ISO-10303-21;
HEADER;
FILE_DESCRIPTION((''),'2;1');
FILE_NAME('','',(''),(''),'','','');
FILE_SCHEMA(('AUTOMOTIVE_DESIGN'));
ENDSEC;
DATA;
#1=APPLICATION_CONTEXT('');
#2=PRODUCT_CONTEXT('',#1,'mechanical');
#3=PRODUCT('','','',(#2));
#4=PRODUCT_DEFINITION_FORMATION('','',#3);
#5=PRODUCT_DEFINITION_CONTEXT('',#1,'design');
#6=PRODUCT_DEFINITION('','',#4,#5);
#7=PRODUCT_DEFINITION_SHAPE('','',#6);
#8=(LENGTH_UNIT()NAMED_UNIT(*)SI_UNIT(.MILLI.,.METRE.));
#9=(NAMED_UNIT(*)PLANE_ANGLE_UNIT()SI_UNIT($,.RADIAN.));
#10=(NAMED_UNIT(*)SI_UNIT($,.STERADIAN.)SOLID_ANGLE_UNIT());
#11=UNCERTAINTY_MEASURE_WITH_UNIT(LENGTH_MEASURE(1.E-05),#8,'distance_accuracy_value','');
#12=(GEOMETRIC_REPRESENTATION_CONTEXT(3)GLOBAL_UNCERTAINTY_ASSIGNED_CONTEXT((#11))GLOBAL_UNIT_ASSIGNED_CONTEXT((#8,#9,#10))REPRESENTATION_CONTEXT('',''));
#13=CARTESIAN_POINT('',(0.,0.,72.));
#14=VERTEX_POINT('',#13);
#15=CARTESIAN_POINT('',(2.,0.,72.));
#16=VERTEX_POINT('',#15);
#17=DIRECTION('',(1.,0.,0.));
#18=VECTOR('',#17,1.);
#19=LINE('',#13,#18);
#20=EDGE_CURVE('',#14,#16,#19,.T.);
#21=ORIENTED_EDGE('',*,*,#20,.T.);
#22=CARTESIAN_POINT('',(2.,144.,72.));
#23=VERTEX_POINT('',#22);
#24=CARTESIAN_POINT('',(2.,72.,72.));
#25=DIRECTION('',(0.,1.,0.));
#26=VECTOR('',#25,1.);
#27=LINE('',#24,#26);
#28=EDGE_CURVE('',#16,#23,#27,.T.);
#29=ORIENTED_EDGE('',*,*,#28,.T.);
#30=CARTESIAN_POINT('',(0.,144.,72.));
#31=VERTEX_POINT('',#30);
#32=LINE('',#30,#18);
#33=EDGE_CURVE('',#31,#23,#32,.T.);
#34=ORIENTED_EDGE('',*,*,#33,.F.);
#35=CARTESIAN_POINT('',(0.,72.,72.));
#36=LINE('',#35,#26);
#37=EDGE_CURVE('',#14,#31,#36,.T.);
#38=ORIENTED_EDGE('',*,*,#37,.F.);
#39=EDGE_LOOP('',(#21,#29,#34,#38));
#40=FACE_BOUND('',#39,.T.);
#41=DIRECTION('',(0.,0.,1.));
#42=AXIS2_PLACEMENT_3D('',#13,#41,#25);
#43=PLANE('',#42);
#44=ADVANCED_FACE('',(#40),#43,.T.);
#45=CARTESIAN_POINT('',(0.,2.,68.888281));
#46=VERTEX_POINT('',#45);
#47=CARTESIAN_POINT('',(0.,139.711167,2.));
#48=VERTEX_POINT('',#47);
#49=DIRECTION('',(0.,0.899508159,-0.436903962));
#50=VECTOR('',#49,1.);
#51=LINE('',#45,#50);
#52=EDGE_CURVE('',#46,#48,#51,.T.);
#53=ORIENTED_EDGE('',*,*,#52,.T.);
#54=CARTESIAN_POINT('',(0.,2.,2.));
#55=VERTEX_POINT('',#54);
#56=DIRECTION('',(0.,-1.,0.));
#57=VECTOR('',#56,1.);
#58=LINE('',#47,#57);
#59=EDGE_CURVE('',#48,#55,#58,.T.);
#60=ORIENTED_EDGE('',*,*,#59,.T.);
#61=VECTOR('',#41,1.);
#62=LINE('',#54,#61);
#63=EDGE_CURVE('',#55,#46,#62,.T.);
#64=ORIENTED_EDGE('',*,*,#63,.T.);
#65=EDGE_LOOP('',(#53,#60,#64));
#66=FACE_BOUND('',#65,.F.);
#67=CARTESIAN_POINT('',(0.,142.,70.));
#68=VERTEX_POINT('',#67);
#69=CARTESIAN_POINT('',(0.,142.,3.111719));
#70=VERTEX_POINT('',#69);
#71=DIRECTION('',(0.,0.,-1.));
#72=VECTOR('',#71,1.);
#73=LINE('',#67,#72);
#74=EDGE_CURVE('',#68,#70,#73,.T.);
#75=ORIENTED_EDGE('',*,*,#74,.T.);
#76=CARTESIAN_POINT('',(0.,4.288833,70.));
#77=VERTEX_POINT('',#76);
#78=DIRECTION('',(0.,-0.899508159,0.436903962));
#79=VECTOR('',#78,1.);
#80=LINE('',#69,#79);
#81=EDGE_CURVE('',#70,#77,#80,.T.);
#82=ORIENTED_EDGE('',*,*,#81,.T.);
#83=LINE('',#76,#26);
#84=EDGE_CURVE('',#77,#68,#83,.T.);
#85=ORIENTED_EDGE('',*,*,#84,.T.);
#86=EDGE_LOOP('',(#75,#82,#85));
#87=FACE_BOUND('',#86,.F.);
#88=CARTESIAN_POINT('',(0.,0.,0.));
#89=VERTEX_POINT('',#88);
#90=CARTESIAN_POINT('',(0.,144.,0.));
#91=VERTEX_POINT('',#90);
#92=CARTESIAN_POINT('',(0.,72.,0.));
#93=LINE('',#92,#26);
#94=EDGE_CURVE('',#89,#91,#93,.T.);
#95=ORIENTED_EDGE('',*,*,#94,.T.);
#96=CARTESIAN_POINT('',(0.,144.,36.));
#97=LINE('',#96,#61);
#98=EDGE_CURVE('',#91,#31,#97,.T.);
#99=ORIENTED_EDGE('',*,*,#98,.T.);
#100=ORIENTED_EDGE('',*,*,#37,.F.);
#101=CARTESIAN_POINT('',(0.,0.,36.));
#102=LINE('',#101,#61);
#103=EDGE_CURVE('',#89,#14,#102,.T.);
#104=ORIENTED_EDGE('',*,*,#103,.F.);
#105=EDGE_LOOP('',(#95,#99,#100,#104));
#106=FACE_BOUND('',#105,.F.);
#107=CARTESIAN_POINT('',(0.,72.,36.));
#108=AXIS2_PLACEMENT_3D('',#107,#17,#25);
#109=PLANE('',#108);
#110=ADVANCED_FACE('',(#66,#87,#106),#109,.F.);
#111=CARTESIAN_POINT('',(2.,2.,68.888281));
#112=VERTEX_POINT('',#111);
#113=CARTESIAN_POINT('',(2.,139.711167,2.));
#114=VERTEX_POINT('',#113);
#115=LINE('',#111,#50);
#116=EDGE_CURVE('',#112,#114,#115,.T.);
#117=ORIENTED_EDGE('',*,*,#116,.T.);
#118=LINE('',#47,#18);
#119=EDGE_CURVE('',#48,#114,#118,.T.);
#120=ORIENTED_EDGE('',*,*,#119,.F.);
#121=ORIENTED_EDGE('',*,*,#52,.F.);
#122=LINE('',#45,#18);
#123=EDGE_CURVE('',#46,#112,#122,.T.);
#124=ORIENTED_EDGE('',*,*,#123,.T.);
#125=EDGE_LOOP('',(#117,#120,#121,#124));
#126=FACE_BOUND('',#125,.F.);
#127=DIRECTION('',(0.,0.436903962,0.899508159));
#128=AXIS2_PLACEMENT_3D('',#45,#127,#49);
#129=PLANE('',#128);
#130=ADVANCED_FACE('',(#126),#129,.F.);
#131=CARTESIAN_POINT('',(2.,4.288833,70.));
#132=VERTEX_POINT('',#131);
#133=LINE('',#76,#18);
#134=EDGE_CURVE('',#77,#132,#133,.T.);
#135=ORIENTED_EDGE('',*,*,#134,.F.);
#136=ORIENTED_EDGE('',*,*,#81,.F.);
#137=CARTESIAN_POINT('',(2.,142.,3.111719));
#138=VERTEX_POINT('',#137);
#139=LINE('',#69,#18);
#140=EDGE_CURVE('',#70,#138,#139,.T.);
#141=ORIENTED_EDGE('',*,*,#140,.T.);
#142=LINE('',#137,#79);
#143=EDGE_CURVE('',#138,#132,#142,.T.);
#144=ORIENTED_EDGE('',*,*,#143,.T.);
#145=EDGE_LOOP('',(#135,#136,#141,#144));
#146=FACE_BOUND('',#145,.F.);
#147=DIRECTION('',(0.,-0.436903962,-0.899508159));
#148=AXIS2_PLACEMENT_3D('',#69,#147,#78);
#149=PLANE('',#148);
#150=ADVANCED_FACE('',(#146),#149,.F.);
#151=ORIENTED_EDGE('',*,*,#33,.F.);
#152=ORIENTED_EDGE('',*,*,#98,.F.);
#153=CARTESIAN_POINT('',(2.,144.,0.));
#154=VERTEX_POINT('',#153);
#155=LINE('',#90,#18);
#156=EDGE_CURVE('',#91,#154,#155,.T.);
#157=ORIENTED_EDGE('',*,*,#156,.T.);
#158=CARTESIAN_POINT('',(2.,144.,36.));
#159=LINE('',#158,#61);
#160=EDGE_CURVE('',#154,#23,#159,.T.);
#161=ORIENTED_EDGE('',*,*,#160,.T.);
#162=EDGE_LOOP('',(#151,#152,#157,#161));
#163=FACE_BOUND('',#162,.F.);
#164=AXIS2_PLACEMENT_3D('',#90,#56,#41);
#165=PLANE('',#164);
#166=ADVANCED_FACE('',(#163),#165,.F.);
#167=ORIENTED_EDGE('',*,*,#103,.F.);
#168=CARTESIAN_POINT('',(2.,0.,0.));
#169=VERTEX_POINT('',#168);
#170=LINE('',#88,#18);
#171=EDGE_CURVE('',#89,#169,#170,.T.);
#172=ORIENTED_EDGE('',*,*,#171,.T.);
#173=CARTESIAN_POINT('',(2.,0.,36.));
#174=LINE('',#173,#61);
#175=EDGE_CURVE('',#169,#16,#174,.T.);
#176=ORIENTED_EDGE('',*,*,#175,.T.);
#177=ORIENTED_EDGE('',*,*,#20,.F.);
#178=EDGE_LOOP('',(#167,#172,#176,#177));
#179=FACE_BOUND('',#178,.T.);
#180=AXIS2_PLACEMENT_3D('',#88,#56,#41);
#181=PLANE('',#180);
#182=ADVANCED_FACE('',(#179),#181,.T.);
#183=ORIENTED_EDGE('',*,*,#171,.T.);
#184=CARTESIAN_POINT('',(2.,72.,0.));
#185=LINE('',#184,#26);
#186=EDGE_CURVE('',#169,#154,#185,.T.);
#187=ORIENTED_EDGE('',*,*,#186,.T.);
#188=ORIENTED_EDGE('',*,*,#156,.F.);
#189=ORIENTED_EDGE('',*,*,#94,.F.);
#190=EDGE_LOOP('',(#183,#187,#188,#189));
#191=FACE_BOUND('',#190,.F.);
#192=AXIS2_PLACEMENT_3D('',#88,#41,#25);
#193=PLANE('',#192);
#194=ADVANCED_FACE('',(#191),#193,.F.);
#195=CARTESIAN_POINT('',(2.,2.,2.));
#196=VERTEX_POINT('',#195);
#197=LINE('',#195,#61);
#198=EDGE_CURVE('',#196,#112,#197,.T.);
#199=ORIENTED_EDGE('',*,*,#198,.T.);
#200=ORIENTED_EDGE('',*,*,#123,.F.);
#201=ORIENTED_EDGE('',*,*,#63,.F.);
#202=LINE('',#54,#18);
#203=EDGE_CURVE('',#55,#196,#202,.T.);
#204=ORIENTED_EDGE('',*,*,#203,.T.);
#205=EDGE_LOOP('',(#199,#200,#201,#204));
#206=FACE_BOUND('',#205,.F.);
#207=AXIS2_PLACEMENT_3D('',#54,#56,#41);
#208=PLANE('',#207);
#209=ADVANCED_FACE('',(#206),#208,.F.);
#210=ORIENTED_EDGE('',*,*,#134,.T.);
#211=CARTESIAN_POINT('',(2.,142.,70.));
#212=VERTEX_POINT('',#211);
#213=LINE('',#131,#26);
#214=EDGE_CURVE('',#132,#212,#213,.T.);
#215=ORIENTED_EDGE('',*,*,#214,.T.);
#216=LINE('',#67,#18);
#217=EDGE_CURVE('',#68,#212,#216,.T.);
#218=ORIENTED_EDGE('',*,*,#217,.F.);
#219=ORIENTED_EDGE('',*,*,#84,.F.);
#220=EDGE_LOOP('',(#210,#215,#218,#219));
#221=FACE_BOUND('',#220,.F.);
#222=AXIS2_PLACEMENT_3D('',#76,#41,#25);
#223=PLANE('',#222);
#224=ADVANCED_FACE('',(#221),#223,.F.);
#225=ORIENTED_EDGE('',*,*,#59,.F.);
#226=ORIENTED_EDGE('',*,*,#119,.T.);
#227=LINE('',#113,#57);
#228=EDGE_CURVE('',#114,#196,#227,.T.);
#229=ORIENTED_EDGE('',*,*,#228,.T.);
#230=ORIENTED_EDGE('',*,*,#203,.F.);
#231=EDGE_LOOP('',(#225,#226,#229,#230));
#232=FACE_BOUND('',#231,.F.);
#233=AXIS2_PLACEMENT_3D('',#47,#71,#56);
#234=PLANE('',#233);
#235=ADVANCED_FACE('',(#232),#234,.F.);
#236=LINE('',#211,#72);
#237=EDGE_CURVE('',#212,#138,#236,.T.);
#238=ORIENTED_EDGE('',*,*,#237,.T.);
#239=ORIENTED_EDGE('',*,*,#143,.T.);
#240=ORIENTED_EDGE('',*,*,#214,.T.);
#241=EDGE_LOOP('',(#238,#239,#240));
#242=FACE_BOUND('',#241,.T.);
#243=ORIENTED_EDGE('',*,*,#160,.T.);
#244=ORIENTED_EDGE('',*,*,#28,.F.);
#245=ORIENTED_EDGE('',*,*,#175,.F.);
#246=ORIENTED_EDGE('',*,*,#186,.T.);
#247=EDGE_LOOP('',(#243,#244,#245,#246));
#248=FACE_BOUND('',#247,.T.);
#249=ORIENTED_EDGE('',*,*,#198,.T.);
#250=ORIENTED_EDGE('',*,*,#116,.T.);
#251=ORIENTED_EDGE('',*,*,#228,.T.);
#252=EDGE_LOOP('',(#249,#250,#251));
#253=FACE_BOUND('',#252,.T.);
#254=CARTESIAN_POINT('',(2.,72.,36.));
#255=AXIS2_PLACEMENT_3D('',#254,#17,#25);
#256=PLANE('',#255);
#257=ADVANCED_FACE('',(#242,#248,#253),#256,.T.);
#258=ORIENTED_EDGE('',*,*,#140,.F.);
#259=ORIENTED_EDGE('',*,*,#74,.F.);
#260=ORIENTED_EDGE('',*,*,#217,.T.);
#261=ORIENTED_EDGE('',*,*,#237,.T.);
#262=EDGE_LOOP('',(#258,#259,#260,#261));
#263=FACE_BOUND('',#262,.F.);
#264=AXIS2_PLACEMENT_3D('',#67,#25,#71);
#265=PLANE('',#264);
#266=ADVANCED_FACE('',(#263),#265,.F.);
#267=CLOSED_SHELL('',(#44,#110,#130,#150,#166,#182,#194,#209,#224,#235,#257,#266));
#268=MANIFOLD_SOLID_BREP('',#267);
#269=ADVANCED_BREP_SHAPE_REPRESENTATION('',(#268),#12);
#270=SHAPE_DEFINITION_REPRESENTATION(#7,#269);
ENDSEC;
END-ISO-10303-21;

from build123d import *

# Parameters (mm, degrees)
F0_W     = 144
F0_H     = 72
F1_DEPTH = 2


with BuildPart() as f1:
    # F0 (on Right) → F1 (new body)
    with BuildSketch(Plane.YZ):
        with Locations((72, 36)):
            Rectangle(F0_W, F0_H)
        Polygon((139.711167, 2), (2, 2), (2, 68.888281), align=None, mode=Mode.SUBTRACT)
        Polygon((4.288833, 70), (142, 70), (142, 3.111719), align=None, mode=Mode.SUBTRACT)
    extrude(amount=F1_DEPTH)


solid = f1.part
